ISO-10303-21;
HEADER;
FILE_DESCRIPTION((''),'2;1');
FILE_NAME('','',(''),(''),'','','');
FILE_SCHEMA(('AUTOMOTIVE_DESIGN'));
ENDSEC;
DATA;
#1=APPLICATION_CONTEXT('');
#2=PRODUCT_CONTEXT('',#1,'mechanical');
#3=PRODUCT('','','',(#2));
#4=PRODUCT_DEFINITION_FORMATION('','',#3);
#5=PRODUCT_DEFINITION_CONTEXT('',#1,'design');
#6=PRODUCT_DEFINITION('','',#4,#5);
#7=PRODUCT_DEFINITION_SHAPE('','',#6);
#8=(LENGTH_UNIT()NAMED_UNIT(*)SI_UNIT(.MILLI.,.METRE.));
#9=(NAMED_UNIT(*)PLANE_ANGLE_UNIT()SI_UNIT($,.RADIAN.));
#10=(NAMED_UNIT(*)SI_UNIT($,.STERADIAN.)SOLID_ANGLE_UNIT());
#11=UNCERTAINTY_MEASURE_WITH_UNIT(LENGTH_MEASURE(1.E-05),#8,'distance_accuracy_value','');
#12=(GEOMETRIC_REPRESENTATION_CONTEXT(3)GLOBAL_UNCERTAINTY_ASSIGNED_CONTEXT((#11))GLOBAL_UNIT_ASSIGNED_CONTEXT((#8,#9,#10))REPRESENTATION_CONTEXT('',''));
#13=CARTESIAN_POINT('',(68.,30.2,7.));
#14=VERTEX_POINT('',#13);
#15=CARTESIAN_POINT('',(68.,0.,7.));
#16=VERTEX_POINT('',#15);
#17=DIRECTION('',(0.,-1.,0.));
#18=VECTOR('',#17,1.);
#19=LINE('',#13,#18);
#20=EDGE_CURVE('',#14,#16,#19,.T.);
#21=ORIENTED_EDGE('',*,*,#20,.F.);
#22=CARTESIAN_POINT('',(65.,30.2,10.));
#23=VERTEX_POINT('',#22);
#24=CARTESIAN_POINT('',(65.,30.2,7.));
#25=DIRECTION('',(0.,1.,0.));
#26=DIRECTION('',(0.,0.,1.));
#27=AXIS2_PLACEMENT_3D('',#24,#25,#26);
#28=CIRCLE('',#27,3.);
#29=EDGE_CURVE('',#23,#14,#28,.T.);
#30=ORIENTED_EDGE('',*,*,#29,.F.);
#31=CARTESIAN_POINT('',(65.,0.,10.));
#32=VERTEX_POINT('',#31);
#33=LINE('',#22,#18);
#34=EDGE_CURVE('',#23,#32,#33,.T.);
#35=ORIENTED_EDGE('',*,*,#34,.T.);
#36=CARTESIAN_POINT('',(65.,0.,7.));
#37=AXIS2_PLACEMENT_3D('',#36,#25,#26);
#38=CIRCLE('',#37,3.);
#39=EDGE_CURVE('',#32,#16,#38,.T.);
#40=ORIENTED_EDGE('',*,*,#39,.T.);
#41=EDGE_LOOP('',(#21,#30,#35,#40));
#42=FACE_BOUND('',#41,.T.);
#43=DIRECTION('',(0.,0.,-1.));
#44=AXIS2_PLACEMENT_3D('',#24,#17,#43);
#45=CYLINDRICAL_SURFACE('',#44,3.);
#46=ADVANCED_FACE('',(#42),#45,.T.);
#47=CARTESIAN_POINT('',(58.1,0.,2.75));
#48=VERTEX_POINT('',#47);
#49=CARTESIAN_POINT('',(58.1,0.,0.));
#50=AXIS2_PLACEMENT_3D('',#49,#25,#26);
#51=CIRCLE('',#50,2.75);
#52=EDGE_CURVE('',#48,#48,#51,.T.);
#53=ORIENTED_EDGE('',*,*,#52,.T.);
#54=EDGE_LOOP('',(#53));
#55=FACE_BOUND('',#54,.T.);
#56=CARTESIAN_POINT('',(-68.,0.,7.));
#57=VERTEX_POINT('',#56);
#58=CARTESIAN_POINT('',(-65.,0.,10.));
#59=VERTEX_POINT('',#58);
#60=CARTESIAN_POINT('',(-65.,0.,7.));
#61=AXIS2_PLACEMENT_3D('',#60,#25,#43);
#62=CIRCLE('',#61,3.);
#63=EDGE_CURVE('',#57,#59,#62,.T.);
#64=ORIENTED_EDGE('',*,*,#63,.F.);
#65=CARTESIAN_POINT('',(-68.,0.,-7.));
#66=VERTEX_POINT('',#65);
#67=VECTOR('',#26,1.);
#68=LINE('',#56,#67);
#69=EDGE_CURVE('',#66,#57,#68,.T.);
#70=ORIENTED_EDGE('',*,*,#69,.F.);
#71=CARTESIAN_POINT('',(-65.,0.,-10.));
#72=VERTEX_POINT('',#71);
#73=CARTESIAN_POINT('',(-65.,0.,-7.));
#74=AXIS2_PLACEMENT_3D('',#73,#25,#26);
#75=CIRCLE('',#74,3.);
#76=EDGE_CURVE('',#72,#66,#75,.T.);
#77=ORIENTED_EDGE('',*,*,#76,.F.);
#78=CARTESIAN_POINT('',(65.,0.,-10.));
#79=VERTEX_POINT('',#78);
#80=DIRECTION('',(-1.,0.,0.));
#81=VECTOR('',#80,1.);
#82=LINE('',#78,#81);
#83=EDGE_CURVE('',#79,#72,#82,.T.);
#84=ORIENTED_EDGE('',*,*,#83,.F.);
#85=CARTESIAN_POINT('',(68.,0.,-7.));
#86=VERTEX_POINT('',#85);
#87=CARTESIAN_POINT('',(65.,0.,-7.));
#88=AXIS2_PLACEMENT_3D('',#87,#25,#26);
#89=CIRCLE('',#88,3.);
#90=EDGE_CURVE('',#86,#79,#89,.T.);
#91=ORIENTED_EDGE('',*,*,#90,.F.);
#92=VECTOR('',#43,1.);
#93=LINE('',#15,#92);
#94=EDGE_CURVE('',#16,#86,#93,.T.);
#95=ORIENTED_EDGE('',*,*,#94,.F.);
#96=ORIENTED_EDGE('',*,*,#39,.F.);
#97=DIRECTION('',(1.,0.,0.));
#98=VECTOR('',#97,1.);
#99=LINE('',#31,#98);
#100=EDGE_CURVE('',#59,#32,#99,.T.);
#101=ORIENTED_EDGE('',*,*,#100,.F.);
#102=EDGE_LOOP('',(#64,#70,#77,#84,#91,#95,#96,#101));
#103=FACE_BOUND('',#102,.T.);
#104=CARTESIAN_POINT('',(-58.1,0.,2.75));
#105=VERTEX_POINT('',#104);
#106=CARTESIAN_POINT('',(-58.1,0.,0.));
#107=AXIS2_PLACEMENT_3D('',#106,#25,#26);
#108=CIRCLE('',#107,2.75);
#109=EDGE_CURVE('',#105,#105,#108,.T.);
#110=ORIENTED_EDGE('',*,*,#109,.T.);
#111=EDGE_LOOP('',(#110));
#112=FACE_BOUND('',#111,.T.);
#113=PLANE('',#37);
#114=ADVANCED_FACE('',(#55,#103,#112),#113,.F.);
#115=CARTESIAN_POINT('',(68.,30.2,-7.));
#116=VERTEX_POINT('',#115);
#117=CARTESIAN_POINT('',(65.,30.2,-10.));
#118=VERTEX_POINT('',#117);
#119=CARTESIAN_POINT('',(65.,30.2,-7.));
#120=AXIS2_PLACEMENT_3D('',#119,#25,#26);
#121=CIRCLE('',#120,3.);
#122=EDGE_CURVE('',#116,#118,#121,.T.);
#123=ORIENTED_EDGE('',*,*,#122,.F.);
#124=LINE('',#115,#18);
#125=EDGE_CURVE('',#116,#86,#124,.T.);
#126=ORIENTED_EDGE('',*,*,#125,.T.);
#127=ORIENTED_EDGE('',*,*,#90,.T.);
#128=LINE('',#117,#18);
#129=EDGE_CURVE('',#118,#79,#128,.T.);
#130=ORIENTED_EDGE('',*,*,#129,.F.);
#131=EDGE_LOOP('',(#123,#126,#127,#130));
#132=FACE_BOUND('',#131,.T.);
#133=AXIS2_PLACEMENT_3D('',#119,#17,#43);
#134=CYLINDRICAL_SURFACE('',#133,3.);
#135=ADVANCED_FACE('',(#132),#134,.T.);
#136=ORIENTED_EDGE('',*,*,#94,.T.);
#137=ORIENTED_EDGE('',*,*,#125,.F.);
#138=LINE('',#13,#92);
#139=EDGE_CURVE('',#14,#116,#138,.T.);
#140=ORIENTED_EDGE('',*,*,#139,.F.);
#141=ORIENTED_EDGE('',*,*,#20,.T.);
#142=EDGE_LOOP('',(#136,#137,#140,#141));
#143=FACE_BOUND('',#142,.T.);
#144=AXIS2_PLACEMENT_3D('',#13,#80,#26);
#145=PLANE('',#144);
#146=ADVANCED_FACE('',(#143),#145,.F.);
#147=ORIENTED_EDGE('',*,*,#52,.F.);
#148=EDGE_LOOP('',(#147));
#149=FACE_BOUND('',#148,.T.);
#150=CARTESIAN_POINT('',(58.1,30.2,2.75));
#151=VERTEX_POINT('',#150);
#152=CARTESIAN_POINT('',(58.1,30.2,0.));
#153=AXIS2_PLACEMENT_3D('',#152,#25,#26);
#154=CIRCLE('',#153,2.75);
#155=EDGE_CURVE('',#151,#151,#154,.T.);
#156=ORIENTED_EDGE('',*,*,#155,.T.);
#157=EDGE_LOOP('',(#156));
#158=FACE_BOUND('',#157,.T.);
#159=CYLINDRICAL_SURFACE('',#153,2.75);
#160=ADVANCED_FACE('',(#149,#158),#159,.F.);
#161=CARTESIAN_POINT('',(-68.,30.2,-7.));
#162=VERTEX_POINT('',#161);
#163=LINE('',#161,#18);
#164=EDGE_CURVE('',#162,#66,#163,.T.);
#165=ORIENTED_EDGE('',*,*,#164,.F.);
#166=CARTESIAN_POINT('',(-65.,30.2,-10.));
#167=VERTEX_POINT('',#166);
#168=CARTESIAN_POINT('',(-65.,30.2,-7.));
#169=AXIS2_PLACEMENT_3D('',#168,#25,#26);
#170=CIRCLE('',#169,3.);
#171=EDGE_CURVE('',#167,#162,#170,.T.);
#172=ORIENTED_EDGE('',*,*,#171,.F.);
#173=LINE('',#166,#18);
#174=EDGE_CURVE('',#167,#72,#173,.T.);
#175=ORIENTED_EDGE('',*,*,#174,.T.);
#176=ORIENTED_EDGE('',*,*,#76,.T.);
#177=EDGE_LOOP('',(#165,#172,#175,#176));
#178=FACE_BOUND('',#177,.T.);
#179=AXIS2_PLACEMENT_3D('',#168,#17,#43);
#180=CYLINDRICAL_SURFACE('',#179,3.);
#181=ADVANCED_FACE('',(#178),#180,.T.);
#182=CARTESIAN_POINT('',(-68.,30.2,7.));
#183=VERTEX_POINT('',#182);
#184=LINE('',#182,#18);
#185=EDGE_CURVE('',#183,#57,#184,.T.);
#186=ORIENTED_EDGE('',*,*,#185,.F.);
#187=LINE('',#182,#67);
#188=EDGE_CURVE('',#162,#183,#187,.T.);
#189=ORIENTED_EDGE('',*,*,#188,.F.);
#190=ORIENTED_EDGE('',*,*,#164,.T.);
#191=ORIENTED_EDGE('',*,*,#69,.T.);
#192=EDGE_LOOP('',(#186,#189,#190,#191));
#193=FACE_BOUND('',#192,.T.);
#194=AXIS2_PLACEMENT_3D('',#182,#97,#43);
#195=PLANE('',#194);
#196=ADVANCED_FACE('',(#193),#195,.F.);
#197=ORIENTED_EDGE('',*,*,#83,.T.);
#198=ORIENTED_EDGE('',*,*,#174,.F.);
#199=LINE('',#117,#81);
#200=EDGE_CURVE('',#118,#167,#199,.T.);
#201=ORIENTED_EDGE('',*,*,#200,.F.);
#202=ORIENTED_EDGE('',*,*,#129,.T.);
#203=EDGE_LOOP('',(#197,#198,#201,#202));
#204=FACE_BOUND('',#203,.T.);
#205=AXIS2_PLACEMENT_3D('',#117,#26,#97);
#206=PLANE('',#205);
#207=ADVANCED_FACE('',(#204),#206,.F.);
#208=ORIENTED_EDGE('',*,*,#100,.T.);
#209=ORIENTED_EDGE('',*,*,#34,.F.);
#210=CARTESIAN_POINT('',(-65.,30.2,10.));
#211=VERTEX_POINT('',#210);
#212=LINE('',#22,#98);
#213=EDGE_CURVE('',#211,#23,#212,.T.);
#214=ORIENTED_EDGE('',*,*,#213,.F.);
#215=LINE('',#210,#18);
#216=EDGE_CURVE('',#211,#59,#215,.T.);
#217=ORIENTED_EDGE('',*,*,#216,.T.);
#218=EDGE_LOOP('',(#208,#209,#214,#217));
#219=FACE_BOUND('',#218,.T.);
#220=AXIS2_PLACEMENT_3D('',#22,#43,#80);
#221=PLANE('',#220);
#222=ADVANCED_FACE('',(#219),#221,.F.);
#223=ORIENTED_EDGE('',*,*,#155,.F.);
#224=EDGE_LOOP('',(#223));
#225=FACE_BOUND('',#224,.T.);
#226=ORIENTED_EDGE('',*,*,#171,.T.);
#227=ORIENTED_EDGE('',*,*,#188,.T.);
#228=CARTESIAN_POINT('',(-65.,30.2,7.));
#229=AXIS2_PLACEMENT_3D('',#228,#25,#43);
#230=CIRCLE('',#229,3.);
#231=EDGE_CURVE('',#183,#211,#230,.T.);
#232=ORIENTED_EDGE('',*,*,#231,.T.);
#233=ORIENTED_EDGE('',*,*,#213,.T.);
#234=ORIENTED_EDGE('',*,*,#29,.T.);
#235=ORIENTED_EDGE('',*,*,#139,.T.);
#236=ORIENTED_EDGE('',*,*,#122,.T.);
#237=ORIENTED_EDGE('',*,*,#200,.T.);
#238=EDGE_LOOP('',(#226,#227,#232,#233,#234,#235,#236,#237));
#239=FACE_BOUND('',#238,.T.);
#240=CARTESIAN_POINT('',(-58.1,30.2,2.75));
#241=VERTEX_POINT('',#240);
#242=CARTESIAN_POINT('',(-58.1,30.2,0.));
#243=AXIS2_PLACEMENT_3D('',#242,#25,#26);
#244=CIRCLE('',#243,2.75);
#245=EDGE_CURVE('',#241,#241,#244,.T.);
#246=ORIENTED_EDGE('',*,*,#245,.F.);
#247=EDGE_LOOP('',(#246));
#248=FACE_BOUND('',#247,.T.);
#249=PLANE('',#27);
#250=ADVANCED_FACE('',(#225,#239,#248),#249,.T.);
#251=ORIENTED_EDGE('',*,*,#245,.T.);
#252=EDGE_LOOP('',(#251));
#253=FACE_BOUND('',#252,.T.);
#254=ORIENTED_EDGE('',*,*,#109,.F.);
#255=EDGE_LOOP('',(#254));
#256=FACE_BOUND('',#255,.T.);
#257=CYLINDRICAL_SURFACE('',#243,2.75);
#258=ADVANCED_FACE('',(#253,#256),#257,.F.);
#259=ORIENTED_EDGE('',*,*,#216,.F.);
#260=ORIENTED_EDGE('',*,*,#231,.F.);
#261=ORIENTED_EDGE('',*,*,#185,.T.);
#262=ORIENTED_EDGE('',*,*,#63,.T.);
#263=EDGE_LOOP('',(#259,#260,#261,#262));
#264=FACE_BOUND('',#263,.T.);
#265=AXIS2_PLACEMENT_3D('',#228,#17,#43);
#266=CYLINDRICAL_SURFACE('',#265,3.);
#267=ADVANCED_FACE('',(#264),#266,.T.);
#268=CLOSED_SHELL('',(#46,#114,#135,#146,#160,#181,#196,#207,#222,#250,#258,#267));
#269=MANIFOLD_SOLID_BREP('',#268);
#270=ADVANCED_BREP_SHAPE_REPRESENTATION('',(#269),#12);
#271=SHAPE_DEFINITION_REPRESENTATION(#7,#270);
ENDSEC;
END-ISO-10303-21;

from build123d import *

# Parameters (mm, degrees)
BOSS_EXTRUDE1_DEPTH      = 30.2
M5_CLEARANCE_HOLE1_D     = 5.5
M5_CLEARANCE_HOLE1_DEPTH = 30.2


with BuildPart() as part:
    # Sketch1 → Boss-Extrude1 (new body)
    with BuildSketch(Plane(origin=(0, 0, 0), x_dir=(1, 0, 0), z_dir=(0, 1, 0))):
        with BuildLine():
            Line((65, -10), (-65, -10))
            ThreePointArc((-65, -10), (-67.121320344, -9.121320344), (-68, -7))
            Line((-68, -7), (-68, 7))
            ThreePointArc((-68, 7), (-67.121320344, 9.121320344), (-65, 10))
            Line((-65, 10), (65, 10))
            ThreePointArc((65, 10), (67.121320344, 9.121320344), (68, 7))
            Line((68, 7), (68, -7))
            ThreePointArc((68, -7), (67.121320344, -9.121320344), (65, -10))
        make_face()
    extrude(amount=BOSS_EXTRUDE1_DEPTH)

    # M5 Clearance Hole1
    with Locations(Plane(origin=(0, 30.2, 0), x_dir=(1, 0, 0), z_dir=(0, 1, 0))):
        with Locations((-58.1, 0), (58.1, 0)):
            Hole(M5_CLEARANCE_HOLE1_D / 2, depth=M5_CLEARANCE_HOLE1_DEPTH)


solid = part.part
